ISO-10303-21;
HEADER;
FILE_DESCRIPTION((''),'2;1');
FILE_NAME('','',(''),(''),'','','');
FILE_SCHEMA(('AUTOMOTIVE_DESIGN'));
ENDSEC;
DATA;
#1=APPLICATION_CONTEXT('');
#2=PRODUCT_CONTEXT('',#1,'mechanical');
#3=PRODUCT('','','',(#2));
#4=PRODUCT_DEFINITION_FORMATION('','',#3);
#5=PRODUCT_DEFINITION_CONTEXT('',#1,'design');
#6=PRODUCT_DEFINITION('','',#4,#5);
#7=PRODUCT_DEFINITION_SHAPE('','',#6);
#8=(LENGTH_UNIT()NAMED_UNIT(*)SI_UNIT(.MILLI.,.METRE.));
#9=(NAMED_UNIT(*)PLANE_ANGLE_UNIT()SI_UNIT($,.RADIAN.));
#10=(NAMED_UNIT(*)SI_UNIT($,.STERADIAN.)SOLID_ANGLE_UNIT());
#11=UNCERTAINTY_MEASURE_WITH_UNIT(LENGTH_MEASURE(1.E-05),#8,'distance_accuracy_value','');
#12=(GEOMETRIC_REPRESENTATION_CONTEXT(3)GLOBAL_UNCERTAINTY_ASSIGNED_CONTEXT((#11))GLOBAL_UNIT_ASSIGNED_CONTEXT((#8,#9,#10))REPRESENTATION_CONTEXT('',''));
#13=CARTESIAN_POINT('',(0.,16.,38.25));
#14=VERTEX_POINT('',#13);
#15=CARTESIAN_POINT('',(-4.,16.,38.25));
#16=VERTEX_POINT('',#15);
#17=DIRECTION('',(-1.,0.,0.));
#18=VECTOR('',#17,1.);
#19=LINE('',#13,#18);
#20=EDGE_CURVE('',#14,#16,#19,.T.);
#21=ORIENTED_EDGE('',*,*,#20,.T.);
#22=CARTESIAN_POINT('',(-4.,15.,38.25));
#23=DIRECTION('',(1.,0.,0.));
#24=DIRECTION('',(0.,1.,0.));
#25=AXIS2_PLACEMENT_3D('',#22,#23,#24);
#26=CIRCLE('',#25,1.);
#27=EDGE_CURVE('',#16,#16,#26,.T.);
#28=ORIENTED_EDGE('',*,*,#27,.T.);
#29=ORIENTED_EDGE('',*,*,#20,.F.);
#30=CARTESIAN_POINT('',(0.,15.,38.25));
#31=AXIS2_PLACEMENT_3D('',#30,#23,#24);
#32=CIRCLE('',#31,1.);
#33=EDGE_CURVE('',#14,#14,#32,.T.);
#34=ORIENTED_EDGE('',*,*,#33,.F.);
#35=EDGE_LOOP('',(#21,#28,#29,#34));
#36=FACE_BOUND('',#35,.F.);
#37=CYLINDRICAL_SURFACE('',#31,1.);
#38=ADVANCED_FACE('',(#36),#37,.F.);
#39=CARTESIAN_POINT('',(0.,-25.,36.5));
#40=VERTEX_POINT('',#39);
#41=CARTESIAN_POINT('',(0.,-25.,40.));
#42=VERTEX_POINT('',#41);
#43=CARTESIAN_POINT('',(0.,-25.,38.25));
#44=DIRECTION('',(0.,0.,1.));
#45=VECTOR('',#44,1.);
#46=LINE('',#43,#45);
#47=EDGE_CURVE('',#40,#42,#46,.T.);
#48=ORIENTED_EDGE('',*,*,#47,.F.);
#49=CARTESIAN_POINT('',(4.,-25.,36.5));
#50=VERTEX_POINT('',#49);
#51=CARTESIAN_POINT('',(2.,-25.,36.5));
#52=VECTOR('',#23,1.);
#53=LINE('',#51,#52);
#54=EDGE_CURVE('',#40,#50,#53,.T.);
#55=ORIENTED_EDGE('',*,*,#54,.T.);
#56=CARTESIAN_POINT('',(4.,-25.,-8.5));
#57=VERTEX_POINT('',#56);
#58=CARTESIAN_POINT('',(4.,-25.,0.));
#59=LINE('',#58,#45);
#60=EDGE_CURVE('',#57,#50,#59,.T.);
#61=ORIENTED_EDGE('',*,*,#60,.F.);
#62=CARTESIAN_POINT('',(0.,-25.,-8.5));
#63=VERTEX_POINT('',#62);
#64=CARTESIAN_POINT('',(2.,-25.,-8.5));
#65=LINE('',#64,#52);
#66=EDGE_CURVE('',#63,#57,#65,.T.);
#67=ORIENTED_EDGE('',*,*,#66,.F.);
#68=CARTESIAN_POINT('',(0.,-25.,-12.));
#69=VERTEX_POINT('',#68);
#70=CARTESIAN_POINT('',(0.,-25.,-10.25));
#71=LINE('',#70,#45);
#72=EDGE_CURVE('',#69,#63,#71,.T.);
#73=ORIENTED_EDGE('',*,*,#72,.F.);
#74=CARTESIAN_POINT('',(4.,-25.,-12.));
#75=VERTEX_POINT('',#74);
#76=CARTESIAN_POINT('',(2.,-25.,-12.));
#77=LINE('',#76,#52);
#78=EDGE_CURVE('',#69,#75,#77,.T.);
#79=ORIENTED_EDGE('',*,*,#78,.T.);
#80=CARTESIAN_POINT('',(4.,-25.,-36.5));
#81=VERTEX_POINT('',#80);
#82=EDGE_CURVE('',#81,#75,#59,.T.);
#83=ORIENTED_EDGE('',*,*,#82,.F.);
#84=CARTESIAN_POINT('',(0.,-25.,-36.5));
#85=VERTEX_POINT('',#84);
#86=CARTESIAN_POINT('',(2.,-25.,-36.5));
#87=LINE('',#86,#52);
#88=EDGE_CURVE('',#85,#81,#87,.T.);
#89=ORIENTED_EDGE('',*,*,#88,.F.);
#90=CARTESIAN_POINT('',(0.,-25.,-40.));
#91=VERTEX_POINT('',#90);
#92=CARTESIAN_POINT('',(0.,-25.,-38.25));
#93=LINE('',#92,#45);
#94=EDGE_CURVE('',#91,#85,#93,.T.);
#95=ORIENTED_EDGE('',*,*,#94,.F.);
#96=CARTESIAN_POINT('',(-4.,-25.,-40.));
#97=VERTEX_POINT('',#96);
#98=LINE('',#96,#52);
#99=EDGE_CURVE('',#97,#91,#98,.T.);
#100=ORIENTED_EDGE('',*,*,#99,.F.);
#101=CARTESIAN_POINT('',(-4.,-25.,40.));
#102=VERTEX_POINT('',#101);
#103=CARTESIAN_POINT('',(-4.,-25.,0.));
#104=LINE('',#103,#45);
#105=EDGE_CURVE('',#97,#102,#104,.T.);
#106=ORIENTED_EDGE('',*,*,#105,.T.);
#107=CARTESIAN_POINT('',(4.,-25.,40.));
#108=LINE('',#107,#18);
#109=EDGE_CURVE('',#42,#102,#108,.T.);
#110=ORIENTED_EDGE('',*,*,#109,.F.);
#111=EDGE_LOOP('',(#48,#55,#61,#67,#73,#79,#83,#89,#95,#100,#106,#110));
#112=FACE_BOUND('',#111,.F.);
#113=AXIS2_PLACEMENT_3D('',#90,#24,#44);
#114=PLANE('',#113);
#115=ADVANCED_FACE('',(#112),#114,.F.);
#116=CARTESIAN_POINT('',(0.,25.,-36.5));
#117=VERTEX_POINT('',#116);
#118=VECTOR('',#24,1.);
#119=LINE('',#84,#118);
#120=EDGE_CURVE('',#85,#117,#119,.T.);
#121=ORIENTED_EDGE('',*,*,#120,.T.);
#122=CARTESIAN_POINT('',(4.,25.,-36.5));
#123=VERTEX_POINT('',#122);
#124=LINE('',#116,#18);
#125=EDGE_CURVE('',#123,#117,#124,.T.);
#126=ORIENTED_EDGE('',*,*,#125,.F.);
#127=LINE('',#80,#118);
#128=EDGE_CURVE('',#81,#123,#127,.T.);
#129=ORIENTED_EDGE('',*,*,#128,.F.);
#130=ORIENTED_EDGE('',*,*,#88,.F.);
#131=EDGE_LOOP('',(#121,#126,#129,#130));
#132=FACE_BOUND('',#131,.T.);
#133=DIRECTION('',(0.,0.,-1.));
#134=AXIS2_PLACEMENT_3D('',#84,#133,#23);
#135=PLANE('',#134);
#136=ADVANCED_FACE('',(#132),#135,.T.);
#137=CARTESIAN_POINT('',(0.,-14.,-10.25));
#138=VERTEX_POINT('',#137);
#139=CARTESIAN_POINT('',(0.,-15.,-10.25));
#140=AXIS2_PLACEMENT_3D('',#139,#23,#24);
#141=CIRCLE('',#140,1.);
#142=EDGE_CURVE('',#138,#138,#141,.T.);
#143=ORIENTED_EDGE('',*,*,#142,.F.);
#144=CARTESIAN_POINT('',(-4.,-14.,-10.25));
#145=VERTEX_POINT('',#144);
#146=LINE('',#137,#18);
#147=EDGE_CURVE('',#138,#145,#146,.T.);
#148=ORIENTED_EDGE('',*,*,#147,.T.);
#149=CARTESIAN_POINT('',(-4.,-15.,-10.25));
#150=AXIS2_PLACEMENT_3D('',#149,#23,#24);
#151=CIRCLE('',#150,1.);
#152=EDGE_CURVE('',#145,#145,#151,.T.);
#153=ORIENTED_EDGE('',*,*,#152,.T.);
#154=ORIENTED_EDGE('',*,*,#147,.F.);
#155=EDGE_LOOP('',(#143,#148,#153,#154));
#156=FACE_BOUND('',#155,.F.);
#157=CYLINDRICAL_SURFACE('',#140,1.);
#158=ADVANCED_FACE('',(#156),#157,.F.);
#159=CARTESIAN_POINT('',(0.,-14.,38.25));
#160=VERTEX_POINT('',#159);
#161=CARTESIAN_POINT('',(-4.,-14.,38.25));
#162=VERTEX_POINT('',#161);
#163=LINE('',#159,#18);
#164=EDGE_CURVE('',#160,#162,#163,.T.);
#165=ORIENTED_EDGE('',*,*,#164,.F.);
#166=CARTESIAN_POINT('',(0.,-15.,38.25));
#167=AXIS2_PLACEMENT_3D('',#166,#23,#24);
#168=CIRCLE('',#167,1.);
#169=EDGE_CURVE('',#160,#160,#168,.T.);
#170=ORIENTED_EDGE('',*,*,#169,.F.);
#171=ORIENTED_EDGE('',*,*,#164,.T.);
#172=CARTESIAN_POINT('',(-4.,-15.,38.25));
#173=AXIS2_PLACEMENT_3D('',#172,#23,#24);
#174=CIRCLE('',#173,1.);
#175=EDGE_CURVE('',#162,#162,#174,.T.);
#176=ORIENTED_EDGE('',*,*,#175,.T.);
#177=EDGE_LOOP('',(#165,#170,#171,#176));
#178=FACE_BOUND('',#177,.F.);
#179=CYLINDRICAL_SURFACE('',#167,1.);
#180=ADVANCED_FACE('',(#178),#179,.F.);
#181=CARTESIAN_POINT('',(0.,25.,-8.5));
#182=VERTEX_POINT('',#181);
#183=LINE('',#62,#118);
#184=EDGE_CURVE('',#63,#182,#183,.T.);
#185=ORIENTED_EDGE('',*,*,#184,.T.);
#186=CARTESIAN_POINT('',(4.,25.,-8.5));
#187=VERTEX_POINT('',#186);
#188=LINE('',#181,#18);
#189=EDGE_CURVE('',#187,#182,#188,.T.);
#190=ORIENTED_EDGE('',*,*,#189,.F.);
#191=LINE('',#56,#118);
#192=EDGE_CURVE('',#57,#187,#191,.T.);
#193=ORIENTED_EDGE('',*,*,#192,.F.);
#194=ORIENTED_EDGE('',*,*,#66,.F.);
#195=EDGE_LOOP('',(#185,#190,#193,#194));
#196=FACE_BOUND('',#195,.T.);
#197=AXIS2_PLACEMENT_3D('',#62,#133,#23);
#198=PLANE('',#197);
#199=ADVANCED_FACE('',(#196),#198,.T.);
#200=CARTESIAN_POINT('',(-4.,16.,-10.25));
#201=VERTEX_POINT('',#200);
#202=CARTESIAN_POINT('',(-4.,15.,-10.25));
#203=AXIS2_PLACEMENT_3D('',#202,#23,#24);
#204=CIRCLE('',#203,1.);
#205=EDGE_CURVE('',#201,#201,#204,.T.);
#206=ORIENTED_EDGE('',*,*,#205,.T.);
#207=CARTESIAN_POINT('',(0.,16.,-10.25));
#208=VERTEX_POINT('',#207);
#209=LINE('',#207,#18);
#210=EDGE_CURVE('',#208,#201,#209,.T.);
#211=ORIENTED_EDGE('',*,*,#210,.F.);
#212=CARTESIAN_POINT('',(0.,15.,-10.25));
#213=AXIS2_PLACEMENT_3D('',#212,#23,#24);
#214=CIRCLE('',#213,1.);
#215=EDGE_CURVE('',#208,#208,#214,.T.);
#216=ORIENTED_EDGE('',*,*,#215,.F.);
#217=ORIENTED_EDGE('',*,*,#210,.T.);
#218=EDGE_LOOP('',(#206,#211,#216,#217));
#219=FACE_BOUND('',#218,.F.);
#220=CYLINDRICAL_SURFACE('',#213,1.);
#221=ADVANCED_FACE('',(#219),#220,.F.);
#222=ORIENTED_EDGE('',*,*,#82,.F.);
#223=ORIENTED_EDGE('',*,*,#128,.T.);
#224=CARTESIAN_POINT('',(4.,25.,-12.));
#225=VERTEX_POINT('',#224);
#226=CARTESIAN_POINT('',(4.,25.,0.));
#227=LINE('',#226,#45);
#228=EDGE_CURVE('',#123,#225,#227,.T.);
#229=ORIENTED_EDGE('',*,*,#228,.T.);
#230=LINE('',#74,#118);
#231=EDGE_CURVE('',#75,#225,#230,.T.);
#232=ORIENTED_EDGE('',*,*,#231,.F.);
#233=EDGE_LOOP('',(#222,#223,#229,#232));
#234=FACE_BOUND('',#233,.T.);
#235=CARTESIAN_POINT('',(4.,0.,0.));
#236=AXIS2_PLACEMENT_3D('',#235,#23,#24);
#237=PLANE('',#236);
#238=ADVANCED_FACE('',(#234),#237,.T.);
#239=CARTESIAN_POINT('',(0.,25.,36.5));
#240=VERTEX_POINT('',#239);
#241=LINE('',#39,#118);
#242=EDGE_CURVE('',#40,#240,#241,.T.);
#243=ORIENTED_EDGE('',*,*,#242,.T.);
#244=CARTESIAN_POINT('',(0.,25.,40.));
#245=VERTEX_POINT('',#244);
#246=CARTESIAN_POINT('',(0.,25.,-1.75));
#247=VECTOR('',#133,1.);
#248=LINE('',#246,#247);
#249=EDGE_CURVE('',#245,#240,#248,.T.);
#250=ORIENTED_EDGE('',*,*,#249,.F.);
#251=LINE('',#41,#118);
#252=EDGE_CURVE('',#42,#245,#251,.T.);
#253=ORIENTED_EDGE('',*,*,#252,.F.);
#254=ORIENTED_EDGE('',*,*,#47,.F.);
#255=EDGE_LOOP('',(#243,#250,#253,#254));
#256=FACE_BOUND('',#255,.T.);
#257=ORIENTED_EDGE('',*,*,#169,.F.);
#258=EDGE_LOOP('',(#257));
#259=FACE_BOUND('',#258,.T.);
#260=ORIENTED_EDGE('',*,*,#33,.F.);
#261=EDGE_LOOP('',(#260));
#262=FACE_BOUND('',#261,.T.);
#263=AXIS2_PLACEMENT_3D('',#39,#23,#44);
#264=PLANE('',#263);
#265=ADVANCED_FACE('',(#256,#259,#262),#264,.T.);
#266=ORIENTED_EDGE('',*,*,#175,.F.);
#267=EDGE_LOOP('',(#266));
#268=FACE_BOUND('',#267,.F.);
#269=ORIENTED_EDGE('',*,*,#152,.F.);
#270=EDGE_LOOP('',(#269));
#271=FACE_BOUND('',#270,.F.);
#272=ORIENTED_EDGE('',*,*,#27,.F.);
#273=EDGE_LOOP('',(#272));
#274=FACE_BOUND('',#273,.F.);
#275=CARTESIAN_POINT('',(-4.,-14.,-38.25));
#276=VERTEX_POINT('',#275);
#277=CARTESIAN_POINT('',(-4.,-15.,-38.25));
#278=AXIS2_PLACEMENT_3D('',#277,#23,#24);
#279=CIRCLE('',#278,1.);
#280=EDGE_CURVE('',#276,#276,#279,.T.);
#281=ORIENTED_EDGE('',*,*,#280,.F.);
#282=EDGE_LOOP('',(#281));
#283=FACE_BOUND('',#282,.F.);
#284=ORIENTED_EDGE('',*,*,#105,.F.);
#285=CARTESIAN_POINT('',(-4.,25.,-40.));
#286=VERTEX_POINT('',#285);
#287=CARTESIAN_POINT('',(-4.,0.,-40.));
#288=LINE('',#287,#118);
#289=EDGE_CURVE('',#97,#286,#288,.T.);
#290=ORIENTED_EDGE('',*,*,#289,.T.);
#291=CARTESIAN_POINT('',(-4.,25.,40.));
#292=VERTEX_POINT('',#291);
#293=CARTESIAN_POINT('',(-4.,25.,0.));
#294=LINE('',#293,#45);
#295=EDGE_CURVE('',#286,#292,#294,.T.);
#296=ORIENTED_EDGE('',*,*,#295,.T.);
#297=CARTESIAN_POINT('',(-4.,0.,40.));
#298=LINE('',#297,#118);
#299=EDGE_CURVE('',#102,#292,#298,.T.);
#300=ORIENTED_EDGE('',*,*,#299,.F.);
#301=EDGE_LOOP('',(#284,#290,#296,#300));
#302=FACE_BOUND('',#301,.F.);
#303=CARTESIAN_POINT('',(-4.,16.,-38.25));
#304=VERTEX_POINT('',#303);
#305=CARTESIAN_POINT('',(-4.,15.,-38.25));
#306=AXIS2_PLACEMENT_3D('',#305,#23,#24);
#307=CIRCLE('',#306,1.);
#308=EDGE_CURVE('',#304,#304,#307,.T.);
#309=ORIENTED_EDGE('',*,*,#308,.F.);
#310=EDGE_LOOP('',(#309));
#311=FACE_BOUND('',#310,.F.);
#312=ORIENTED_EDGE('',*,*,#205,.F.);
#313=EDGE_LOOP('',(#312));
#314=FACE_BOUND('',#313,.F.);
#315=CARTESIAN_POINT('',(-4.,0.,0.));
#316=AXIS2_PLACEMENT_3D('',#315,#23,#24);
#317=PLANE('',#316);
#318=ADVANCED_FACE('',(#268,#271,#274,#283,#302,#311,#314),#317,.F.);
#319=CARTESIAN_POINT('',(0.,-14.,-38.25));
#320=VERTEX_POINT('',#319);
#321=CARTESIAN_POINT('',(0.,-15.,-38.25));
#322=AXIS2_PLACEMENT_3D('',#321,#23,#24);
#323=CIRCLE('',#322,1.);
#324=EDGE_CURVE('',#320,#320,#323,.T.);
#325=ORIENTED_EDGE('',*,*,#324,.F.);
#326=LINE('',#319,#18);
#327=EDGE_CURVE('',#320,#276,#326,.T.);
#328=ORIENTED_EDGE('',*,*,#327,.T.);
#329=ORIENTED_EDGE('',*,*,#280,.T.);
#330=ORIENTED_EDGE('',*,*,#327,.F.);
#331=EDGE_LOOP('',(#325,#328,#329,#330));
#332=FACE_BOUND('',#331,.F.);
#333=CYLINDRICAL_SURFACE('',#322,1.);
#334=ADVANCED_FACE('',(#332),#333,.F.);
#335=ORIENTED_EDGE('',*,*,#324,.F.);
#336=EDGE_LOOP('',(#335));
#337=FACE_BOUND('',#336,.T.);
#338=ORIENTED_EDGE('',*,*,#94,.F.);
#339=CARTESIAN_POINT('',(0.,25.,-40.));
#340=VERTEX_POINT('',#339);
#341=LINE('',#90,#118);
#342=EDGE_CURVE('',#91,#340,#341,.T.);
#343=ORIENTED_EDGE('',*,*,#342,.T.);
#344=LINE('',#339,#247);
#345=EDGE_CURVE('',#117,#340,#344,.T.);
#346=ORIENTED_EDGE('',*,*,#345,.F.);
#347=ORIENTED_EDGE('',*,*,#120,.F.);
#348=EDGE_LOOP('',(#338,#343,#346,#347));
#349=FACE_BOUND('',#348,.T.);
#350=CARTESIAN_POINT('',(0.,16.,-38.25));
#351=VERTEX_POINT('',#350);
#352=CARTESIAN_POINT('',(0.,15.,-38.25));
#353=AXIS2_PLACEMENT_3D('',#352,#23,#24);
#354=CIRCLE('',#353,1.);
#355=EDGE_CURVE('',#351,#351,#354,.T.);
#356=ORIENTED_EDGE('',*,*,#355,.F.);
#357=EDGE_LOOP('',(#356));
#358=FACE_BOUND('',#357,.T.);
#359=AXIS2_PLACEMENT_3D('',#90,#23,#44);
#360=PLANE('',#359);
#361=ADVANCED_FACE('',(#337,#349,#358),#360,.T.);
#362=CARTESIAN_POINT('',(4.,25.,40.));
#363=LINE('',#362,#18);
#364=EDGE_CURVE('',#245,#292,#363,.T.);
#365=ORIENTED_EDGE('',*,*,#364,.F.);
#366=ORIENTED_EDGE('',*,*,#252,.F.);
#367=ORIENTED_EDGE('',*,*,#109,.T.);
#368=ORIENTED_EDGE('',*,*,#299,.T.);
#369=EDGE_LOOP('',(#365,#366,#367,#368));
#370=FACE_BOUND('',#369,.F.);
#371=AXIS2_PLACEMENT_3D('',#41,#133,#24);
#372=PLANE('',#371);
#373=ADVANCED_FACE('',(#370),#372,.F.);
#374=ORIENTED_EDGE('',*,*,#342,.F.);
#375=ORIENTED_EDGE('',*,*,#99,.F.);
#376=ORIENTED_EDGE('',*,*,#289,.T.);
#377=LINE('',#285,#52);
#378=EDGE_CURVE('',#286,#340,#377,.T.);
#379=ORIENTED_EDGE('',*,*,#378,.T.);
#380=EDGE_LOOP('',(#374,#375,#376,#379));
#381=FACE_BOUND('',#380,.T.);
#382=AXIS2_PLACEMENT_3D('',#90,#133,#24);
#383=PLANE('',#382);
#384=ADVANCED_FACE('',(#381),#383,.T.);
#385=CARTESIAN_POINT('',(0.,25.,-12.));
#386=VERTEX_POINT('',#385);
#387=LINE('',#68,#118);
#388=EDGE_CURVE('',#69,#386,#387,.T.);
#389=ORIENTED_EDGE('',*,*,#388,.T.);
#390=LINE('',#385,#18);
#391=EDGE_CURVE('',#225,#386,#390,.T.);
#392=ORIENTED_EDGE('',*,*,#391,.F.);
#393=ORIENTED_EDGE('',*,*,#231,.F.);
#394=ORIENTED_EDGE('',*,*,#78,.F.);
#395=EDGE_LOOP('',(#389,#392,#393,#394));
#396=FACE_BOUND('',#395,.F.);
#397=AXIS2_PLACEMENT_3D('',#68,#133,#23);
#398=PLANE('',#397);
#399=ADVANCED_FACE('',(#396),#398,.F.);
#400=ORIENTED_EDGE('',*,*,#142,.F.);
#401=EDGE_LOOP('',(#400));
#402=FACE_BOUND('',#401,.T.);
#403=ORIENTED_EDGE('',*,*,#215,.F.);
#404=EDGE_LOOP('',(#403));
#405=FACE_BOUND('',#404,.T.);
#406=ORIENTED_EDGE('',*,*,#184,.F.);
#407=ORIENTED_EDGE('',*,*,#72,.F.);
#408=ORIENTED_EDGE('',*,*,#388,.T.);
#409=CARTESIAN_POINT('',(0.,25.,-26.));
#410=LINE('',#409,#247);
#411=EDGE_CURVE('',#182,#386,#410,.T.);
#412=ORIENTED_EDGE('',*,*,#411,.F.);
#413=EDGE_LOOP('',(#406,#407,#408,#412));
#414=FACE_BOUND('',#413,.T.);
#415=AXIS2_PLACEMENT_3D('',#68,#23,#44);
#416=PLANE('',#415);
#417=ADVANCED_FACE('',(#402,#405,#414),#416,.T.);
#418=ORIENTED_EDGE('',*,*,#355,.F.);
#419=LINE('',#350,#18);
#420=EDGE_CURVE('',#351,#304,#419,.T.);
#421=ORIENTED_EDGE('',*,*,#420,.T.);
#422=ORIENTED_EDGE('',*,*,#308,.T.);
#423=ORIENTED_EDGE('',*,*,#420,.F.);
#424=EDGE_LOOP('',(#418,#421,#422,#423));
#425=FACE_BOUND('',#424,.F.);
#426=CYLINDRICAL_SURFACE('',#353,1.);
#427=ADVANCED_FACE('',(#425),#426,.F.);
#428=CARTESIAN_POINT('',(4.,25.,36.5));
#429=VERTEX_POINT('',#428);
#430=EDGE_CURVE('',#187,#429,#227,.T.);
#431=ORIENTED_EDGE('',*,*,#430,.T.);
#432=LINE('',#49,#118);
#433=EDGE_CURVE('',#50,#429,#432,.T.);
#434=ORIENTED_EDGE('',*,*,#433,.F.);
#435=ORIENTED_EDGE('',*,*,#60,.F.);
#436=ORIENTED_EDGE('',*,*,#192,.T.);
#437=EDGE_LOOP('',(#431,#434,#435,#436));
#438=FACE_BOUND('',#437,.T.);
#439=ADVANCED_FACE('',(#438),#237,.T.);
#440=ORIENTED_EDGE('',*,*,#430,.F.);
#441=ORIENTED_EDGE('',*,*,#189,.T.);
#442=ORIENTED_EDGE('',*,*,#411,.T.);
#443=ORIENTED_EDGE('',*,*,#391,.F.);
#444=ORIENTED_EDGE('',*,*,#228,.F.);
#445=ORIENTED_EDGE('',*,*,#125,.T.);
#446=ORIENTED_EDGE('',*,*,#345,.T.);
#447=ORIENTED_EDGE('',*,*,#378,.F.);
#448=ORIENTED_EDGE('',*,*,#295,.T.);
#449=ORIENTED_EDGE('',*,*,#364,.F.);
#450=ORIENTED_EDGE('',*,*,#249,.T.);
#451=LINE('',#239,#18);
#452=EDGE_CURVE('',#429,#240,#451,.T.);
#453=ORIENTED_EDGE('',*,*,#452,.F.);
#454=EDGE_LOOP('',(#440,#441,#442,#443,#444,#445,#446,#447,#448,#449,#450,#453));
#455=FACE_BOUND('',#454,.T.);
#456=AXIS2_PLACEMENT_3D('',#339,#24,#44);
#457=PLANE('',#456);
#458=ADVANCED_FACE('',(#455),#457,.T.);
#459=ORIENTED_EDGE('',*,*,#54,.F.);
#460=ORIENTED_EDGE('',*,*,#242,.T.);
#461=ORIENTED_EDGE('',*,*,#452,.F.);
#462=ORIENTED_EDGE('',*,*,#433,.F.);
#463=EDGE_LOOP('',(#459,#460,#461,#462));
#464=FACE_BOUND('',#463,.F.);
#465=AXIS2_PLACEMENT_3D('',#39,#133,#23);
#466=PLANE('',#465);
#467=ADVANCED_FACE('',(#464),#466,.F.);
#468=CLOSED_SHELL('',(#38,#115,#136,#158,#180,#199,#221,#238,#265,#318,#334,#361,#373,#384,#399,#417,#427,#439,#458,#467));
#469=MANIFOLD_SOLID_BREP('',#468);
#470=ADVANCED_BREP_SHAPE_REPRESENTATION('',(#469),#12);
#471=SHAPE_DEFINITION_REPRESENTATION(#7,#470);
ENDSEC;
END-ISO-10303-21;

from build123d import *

# Parameters (mm, degrees)
F0_W     = 50
F0_H     = 80
F1_DEPTH = 4
F2_W     = 4
F2_H     = 3.5
F3_DEPTH = 50.001
F4_R     = 1
F5_DEPTH = 4
F6_R     = 1
F7_DEPTH = 4
F8_R     = 1
F9_DEPTH = 4


with BuildPart() as f1:
    # F0 (on Right) → F1 (new body, symmetric)
    with BuildSketch(Plane.YZ):
        Rectangle(F0_W, F0_H)
    extrude(amount=F1_DEPTH, both=True)

    # F2 (on face) → F3 (cut, through all)
    with BuildSketch(Plane.XZ.offset(25)):
        with Locations((2, 38.25)):
            Rectangle(F2_W, F2_H)
        with Locations((2, -10.25)):
            Rectangle(F2_W, F2_H)
        with Locations((2, -38.25)):
            Rectangle(F2_W, F2_H)
    extrude(amount=-F3_DEPTH, mode=Mode.SUBTRACT)

    # F4 (on face) → F5 (cut, through all)
    with BuildSketch(Plane.YZ):
        with Locations((-15, 38.25)):
            Circle(F4_R)
        with Locations((15, 38.25)):
            Circle(F4_R)
    extrude(amount=-F5_DEPTH, mode=Mode.SUBTRACT)

    # F6 (on face) → F7 (cut, through all)
    with BuildSketch(Plane.YZ):
        with Locations((-15, -10.25)):
            Circle(F6_R)
        with Locations((15, -10.25)):
            Circle(F6_R)
    extrude(amount=-F7_DEPTH, mode=Mode.SUBTRACT)

    # F8 (on face) → F9 (cut, through all)
    with BuildSketch(Plane.YZ):
        with Locations((-15, -38.25)):
            Circle(F8_R)
        with Locations((15, -38.25)):
            Circle(F8_R)
    extrude(amount=-F9_DEPTH, mode=Mode.SUBTRACT)


solid = f1.part
